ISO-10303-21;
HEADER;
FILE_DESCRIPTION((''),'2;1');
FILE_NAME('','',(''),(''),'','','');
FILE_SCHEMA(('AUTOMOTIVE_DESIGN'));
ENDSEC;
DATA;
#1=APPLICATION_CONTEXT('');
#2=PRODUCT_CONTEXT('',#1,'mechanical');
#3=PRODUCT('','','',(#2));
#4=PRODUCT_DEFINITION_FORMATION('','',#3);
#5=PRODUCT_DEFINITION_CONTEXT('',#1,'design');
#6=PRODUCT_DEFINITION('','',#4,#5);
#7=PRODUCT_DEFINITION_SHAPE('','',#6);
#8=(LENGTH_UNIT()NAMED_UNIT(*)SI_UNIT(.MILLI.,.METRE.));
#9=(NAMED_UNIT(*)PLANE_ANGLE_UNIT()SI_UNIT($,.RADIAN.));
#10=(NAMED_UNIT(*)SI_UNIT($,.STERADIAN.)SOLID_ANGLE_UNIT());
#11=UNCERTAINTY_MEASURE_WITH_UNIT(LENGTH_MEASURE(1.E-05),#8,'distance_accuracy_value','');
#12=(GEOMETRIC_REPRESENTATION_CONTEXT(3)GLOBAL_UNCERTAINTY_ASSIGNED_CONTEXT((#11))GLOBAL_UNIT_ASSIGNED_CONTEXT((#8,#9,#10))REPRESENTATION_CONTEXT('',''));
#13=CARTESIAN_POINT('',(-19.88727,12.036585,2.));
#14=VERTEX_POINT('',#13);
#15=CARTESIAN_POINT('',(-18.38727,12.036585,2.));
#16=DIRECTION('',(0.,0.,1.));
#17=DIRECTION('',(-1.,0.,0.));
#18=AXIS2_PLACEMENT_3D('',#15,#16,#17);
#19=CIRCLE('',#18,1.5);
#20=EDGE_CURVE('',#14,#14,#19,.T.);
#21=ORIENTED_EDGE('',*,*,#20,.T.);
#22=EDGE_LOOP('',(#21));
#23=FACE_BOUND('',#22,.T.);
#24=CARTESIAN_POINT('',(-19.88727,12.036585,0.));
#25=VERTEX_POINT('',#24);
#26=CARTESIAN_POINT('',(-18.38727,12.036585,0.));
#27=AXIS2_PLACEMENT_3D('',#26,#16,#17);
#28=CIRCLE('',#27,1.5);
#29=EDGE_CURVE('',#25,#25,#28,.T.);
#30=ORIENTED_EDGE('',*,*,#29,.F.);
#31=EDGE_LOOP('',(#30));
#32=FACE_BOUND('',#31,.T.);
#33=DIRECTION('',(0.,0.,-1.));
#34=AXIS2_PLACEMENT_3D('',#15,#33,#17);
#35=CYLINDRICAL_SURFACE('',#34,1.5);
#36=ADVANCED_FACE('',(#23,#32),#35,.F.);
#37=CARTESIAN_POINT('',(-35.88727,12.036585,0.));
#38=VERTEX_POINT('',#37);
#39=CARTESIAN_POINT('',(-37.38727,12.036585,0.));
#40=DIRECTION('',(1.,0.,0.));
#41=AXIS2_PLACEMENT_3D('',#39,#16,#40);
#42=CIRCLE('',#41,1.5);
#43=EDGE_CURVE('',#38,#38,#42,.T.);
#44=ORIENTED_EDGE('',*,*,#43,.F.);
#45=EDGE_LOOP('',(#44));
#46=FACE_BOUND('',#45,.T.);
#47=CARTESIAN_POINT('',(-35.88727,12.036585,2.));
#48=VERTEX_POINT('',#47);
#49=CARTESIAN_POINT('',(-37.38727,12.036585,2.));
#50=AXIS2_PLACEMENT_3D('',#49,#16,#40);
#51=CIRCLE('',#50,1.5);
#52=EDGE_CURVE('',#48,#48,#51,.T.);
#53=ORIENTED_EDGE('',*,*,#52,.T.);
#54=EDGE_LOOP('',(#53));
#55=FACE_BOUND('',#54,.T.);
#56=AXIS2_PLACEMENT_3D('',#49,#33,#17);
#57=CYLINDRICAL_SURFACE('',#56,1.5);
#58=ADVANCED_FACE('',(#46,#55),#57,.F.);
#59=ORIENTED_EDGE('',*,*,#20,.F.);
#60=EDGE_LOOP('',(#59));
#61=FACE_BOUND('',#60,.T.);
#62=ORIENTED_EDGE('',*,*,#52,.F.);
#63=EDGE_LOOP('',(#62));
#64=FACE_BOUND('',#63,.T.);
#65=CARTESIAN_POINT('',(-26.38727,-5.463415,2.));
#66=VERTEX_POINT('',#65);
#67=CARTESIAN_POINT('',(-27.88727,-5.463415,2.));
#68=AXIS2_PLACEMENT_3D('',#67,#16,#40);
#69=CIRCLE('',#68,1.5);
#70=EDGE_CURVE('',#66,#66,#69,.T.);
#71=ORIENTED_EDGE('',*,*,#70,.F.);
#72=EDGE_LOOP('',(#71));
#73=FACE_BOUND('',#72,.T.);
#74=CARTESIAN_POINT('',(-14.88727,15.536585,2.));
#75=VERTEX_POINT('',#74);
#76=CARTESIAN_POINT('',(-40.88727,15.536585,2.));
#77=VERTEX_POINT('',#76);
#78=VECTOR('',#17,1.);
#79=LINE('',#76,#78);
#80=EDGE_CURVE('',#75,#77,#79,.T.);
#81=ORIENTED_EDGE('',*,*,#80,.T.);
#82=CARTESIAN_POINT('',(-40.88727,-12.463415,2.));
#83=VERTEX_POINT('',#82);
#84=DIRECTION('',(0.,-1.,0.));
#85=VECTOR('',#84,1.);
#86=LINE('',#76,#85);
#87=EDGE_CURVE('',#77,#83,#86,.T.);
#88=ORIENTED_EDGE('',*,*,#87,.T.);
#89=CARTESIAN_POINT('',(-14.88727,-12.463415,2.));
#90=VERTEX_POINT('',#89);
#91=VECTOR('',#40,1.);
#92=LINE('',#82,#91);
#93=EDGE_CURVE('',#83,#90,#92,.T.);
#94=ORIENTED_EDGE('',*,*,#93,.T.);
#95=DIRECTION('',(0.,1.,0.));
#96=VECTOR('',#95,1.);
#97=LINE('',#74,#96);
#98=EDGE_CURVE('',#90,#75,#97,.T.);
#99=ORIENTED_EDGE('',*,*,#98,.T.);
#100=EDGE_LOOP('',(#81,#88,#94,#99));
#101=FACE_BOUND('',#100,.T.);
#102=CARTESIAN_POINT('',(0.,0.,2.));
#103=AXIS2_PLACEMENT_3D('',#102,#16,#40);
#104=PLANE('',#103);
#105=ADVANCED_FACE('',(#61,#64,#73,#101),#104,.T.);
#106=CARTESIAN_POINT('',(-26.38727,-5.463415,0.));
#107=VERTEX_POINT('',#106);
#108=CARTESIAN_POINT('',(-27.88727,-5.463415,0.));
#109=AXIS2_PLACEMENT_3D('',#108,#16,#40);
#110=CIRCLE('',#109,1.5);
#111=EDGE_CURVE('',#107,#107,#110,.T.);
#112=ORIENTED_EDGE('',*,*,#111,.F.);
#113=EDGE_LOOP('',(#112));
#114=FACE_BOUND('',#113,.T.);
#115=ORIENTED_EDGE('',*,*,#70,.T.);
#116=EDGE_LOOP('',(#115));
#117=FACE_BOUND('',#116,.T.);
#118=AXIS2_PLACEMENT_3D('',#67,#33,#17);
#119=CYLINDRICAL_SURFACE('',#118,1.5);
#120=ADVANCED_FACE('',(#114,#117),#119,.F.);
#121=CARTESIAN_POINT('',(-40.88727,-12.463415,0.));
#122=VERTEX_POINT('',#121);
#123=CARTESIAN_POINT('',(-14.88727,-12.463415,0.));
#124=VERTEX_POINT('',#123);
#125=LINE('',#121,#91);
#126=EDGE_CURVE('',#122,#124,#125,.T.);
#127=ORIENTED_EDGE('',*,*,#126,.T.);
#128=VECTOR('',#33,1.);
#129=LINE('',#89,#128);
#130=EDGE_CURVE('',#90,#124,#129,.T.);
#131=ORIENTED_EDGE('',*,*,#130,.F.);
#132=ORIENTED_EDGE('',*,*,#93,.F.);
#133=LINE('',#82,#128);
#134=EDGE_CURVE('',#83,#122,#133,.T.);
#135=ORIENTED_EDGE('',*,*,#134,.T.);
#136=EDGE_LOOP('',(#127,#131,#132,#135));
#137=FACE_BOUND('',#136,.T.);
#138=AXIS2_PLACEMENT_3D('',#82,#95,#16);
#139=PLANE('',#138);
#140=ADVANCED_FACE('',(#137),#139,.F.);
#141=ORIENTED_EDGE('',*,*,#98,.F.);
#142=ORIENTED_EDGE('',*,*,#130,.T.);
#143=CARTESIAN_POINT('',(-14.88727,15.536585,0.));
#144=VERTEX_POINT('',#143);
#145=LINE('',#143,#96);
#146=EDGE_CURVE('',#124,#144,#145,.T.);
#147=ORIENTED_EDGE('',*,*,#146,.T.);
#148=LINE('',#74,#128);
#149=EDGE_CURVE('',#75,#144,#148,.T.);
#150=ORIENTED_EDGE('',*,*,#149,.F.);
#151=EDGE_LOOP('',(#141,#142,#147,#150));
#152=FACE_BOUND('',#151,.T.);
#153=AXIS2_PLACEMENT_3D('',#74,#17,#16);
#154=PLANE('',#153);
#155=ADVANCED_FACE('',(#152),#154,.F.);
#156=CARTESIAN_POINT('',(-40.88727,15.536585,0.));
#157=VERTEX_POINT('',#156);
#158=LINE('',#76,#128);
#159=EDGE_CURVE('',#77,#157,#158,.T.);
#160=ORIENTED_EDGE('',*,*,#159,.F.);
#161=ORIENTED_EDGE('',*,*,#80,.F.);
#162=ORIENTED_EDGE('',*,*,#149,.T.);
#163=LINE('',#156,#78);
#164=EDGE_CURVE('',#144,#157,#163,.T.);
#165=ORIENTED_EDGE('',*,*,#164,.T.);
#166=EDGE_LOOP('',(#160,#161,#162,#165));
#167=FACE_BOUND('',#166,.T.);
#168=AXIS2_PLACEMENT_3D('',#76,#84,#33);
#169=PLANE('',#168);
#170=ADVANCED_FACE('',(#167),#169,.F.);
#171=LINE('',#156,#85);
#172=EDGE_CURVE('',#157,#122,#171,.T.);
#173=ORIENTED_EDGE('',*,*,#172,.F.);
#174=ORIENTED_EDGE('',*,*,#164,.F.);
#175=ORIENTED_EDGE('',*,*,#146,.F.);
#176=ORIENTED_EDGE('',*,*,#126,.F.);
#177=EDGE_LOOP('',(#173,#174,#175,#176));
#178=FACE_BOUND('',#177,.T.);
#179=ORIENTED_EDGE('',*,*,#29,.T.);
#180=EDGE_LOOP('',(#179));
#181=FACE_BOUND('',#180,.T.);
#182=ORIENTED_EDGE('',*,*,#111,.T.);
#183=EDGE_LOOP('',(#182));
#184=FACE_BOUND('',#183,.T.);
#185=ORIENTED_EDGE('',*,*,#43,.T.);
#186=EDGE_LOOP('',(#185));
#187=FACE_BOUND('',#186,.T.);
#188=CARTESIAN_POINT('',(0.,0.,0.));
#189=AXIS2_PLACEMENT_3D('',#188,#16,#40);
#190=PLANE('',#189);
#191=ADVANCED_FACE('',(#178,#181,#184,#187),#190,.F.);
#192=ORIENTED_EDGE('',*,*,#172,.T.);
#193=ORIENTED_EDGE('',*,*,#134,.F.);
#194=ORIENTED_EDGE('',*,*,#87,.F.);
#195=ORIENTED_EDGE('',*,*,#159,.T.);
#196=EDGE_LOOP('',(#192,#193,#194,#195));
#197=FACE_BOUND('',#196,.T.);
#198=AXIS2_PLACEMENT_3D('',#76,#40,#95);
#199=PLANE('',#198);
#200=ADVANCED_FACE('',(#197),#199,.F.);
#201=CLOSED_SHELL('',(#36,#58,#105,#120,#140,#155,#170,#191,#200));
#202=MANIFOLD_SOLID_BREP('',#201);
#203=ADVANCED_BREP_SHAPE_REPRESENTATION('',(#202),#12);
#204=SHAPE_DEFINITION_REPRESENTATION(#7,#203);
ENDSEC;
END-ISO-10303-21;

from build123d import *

# Parameters (mm, degrees)
CROQUIS1_W              = 26
CROQUIS1_H              = 28
CROQUIS1_R              = 1.5
SALIENTE_EXTRUIR1_DEPTH = 2


with BuildPart() as part:
    # Croquis1 → Saliente-Extruir1 (new body)
    with BuildSketch(Plane.XY):
        with Locations((-27.887270297, 1.536585366)):
            Rectangle(CROQUIS1_W, CROQUIS1_H)
        with Locations((-37.387270297, 12.036585366)):
            Circle(CROQUIS1_R, mode=Mode.SUBTRACT)
        with Locations(Location((-18.387270297, 12.036585366, 0), (0, 0, 180))):
            Circle(CROQUIS1_R, mode=Mode.SUBTRACT)
        with Locations((-27.887270297, -5.463414634)):
            Circle(CROQUIS1_R, mode=Mode.SUBTRACT)
    extrude(amount=SALIENTE_EXTRUIR1_DEPTH)


solid = part.part
